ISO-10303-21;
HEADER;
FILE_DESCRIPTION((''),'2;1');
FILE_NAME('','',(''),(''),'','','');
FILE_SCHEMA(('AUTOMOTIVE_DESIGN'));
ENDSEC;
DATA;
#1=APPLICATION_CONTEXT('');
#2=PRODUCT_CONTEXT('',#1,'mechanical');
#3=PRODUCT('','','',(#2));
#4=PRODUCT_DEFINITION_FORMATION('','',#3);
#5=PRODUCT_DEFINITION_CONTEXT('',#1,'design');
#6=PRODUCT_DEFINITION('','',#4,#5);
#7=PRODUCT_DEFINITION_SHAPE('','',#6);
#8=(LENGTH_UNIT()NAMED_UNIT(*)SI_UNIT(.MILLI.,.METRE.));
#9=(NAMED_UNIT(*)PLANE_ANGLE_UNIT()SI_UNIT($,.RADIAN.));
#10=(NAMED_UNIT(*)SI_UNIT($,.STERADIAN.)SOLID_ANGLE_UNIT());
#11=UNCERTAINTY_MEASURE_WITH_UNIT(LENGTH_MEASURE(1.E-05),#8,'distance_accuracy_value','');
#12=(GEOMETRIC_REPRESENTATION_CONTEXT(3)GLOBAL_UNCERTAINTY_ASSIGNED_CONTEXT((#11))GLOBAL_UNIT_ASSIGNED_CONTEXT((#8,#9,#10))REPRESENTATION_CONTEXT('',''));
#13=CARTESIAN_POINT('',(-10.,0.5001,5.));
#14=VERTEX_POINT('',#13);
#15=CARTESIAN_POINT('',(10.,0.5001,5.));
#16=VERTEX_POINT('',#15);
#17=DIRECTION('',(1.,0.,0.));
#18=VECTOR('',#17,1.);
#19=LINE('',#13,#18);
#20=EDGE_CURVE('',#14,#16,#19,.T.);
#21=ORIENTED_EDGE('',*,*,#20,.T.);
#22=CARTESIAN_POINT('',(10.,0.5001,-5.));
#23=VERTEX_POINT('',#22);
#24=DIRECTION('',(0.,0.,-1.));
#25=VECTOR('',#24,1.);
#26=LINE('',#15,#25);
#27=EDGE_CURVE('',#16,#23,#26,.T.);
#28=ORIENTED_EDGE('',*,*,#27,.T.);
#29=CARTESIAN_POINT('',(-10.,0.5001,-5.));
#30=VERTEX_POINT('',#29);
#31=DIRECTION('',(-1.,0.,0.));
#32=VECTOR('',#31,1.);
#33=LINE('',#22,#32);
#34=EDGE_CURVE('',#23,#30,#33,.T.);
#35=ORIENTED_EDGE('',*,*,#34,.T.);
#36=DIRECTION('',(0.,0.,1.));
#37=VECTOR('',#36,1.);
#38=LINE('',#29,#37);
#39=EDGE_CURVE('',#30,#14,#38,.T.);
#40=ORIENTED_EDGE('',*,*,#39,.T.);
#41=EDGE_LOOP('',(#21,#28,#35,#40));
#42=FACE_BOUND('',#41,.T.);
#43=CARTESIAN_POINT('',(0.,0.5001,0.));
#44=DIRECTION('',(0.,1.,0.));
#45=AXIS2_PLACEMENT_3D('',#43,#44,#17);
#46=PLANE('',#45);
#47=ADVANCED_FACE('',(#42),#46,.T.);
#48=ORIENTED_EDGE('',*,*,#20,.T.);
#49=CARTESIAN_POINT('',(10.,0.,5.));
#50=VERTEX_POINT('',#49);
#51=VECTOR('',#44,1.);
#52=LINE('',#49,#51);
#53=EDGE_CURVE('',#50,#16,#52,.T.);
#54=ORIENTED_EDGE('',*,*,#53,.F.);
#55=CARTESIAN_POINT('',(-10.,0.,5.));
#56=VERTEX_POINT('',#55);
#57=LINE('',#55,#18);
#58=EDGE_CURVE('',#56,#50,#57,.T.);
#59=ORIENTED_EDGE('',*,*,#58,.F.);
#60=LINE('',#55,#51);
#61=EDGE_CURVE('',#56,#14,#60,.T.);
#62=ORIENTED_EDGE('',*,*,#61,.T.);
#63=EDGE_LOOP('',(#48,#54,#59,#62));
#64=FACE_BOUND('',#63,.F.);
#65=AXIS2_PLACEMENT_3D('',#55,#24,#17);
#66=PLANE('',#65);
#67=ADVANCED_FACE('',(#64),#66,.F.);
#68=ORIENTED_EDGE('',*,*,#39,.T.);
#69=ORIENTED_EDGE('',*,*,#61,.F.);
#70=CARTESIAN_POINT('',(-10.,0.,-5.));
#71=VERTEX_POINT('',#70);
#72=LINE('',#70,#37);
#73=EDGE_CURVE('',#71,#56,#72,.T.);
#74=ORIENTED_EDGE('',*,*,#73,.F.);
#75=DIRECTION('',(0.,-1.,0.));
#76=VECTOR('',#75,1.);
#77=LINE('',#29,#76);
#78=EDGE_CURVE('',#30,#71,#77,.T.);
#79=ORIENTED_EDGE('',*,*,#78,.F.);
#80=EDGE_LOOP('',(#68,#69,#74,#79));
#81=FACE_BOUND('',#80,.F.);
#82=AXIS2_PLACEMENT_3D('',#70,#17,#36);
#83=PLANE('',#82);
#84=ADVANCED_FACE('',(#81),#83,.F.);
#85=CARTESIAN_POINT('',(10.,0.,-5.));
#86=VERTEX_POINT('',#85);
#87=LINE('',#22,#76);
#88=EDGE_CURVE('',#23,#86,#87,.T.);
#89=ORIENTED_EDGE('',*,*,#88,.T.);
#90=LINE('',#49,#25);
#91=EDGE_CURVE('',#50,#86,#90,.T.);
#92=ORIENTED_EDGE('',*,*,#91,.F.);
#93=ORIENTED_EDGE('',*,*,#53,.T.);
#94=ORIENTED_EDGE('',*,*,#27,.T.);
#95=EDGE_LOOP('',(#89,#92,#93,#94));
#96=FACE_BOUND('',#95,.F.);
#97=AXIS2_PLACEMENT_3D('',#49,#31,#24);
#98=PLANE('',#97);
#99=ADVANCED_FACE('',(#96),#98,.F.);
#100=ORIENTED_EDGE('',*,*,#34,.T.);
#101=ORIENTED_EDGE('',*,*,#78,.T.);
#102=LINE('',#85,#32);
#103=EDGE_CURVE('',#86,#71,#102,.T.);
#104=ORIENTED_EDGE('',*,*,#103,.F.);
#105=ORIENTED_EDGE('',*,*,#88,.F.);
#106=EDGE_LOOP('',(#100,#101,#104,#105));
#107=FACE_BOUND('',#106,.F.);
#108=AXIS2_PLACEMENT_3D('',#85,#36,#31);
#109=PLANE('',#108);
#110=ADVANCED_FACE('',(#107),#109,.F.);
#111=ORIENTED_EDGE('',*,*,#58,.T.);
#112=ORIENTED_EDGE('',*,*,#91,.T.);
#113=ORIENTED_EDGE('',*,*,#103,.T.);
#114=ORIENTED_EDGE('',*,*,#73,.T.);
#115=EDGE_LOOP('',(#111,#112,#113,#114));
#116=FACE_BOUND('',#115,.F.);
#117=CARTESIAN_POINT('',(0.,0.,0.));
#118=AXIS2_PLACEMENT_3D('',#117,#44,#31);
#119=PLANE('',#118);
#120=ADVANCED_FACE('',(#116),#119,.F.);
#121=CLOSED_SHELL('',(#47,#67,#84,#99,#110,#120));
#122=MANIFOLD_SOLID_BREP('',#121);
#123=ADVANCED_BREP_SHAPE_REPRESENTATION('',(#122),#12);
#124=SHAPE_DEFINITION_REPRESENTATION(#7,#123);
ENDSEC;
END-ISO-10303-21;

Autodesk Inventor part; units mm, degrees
ref_plane "YZ Plane" through (0, 0, 0) normal (1, 0, 0) x (0, 1, 0)
ref_plane "XZ Plane" through (0, 0, 0) normal (0, 1, 0) x (-1, 0, 0)
ref_plane "XY Plane" through (0, 0, 0) normal (0, 0, 1) x (1, 0, 0)
sketch "Sketch1" plane through (0, 0, 0) normal (0, 1, 0) x (-1, 0, 0)
  line L0 (10, 5) -> (-10, 5)
  line L1 (-10, 5) -> (-10, -5)
  line L2 (-10, -5) -> (10, -5)
  line L3 (10, -5) -> (10, 5)
  line L4 (10, 5) -> (-10, -5) construction
  line L5 (-10, 5) -> (10, -5) construction
  point P0 (0, 0)
  dimension "d6" = 20
  dimension "d7" = 10
extrude "Extrusion1" add sketch "Sketch1" along normal blind 0.5
sketch "Sketch2" plane through (0, 0.5, 0) normal (0, 1, 0) x (1, 0, 0)
  line L0 (-10, -5) -> (10, -5)
  line L1 (10, -5) -> (10, 5)
  line L2 (10, 5) -> (-10, 5)
  line L3 (-10, 5) -> (-10, -5)
  line L4 (-10, -5) -> (10, 5) construction
  line L5 (10, -5) -> (-10, 5) construction
  point P0 (0, 0)
  dimension "d8" = 20
  dimension "d9" = 10
extrude "Extrusion2" add sketch "Sketch2" along normal blind 0.0001
properties part number "chip-blank-20x20" material "Silicon Nitride"
